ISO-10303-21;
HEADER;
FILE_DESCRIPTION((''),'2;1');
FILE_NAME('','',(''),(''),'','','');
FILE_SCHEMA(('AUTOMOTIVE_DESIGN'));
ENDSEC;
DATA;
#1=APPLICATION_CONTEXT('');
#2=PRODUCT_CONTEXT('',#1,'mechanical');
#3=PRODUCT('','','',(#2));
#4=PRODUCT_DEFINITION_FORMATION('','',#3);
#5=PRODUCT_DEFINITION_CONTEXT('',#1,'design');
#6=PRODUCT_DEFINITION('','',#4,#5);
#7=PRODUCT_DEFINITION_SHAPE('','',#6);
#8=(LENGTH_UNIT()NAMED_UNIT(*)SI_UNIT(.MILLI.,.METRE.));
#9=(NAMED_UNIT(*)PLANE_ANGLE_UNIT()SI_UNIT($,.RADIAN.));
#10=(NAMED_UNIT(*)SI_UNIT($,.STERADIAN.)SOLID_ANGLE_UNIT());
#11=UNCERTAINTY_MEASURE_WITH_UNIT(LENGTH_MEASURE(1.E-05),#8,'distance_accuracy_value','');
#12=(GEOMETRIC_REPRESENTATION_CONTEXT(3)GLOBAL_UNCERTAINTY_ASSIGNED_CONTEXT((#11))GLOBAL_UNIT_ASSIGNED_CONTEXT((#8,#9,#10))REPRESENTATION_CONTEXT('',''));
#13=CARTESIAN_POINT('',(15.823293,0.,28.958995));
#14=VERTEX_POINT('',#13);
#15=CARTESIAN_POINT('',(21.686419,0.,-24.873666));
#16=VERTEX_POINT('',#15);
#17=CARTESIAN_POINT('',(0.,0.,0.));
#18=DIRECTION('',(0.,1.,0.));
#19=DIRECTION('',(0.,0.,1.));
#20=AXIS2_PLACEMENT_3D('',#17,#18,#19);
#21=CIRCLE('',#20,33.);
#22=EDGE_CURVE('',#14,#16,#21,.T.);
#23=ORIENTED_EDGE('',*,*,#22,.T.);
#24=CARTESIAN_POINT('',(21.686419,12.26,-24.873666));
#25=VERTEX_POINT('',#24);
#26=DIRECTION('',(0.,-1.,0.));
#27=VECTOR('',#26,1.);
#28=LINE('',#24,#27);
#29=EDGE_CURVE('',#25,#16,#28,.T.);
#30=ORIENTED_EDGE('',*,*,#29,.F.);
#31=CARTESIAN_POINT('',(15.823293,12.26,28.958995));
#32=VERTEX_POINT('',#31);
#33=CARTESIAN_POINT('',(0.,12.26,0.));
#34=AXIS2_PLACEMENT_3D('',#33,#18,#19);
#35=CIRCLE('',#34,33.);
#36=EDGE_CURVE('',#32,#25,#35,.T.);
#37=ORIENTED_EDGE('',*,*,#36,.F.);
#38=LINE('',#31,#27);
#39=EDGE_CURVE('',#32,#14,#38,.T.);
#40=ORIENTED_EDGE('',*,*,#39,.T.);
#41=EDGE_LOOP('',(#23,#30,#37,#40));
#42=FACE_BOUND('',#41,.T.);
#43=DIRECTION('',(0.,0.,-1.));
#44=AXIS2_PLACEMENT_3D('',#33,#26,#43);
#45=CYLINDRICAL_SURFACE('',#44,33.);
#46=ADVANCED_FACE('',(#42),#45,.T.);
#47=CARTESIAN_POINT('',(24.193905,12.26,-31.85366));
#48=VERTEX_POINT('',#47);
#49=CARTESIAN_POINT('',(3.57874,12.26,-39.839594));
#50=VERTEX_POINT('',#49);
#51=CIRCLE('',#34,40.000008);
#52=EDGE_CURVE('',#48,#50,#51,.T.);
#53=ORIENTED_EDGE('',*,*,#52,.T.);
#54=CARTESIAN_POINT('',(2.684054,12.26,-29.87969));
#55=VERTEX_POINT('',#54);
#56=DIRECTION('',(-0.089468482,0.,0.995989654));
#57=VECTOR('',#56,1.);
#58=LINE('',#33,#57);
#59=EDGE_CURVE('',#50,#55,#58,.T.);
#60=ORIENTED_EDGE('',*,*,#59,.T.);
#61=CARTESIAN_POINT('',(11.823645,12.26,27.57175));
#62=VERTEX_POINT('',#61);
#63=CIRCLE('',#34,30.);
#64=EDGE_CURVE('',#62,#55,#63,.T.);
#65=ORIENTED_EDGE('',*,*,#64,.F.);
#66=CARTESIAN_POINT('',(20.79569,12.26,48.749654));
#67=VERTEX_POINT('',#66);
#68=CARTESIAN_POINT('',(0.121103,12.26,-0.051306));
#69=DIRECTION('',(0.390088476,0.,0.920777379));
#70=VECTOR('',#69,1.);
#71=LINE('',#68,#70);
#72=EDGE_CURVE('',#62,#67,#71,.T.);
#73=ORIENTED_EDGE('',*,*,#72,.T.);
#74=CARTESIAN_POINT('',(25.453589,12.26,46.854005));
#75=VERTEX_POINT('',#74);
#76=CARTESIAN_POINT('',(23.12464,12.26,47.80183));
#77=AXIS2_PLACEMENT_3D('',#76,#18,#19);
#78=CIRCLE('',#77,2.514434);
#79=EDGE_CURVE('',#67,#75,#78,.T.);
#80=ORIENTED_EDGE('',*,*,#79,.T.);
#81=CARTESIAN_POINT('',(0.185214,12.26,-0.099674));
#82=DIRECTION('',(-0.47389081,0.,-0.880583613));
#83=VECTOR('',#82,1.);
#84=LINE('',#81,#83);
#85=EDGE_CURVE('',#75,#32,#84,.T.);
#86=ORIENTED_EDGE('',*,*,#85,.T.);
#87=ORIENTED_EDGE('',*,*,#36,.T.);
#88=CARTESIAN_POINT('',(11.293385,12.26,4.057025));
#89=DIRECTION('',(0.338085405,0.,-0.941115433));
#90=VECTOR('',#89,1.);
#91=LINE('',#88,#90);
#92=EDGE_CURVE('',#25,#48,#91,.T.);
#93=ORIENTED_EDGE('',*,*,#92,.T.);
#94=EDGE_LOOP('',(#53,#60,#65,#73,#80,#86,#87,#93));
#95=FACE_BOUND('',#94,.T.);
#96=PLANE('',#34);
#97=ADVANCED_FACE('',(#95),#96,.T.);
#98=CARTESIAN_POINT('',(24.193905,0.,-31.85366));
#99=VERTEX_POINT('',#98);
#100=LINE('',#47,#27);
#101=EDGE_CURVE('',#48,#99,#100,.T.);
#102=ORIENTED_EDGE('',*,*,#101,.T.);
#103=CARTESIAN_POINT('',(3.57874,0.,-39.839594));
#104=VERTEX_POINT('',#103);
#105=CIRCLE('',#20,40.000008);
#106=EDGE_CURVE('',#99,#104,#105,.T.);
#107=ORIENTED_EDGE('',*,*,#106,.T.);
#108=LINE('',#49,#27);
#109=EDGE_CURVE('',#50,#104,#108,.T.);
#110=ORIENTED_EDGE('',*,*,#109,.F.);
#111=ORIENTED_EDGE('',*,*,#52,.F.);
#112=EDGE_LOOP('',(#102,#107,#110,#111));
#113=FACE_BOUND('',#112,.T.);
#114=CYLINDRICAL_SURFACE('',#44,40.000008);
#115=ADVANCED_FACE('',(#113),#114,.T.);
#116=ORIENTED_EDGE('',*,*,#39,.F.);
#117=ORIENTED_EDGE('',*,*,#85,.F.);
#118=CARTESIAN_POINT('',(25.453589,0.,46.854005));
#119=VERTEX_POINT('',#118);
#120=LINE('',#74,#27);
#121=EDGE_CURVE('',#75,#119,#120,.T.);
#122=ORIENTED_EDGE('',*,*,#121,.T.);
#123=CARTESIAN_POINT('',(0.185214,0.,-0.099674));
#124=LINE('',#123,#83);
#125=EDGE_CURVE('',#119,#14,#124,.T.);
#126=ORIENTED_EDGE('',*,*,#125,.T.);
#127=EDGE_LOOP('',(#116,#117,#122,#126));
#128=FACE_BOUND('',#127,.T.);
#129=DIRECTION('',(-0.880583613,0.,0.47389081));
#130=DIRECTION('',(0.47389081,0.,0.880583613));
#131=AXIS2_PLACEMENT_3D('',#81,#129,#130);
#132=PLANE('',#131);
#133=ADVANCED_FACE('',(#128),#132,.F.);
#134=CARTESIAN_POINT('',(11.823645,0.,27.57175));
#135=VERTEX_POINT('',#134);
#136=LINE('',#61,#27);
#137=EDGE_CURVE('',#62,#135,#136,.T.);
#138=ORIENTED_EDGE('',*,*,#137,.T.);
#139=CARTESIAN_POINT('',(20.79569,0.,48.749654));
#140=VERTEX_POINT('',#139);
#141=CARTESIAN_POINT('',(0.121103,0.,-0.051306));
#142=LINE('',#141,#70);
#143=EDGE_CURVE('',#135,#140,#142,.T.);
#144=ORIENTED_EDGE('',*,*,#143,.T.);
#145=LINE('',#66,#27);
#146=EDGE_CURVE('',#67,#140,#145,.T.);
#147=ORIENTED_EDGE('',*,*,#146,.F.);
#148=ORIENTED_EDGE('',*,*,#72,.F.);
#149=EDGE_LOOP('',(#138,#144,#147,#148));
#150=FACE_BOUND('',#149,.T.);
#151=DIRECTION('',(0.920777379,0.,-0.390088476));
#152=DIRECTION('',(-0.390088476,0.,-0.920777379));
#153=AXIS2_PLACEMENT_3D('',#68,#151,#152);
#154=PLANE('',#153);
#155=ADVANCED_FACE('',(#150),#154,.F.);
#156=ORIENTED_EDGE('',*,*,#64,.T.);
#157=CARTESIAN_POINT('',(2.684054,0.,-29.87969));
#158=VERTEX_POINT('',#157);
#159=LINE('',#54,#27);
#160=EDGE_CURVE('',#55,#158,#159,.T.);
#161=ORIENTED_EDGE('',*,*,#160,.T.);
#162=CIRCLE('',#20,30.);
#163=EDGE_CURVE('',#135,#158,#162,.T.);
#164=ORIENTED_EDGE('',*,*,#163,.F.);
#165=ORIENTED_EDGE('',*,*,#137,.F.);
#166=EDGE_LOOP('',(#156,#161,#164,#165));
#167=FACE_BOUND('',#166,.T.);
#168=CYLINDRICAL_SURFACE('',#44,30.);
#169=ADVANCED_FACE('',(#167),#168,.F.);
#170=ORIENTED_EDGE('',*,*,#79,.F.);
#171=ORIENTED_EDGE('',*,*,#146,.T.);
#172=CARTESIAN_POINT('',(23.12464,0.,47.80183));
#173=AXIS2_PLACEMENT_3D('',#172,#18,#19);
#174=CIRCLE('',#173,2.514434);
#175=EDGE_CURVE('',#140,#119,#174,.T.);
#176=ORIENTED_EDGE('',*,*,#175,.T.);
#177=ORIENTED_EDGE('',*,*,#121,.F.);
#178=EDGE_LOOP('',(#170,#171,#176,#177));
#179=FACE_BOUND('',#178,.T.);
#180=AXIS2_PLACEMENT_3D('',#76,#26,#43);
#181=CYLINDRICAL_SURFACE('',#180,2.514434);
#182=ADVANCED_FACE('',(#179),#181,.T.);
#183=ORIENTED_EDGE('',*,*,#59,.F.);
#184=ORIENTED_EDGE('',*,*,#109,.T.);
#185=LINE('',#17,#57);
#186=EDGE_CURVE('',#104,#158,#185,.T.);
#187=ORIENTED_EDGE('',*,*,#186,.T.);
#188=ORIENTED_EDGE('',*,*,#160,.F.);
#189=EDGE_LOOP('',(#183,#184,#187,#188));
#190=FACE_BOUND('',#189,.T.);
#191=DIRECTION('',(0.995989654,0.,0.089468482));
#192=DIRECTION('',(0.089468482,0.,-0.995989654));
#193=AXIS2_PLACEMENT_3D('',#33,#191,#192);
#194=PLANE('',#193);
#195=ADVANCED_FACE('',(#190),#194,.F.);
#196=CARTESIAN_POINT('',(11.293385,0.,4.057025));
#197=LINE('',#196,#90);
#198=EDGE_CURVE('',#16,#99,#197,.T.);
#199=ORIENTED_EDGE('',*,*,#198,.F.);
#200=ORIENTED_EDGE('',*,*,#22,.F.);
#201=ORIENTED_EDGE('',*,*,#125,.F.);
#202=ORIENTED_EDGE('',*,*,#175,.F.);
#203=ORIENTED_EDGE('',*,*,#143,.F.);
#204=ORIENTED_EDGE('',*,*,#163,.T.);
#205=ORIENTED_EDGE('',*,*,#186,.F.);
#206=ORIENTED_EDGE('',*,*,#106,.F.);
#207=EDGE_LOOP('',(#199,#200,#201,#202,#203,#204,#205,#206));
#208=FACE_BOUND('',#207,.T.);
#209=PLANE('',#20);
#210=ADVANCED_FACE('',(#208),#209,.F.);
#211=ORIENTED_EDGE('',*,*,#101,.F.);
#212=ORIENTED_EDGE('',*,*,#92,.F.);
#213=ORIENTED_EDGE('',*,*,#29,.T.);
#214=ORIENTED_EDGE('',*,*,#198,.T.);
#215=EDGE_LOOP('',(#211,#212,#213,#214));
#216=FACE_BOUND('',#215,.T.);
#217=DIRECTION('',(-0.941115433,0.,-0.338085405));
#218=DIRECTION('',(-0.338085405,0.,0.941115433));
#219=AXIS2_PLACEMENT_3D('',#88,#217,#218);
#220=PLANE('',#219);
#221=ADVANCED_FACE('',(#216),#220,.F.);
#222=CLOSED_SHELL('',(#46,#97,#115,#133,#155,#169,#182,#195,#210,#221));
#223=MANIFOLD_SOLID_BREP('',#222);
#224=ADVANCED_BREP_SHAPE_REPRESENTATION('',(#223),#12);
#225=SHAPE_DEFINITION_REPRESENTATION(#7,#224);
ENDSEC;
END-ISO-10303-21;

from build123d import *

# Parameters (mm, degrees)
RESSALTO_EXTRUS_O1_DEPTH = 12.26


with BuildPart() as part:
    # Esboço1 → Ressalto-extrusão1 (new body)
    with BuildSketch(Plane(origin=(0, 0, 0), x_dir=(1, 0, 0), z_dir=(0, 1, 0))):
        with BuildLine():
            ThreePointArc((27.862912529, -17.68214086), (32.657820254, 4.739913109), (21.6864187, 24.873665672))
            Line((21.6864187, 24.873665672), (24.193905015, 31.85365959))
            ThreePointArc((24.193905015, 31.85365959), (14.449004884, 37.299154508), (3.578740021, 39.839594489))
            Line((3.578740021, 39.839594489), (2.684054455, 29.879689618))
            ThreePointArc((2.684054455, 29.879689618), (29.627442083, 4.713244699), (11.823645173, -27.571750304))
            Line((11.823645173, -27.571750304), (12.993920826, -30.334106573))
            Line((12.993920826, -30.334106573), (20.795690346, -48.749654144))
            ThreePointArc((20.795690346, -48.749654144), (24.072464244, -50.130779062), (25.453589161, -46.854005164))
            Line((25.453589161, -46.854005164), (25.198608413, -46.380200094))
            Line((25.198608413, -46.380200094), (15.823293166, -28.958995034))
            ThreePointArc((15.823293166, -28.958995034), (21.396881696, -25.123165678), (26.071005915, -20.231229586))
            ThreePointArc((26.071005915, -20.231229586), (26.997061933, -18.977846216), (27.862912529, -17.68214086))
        make_face()
    extrude(amount=RESSALTO_EXTRUS_O1_DEPTH)


solid = part.part
